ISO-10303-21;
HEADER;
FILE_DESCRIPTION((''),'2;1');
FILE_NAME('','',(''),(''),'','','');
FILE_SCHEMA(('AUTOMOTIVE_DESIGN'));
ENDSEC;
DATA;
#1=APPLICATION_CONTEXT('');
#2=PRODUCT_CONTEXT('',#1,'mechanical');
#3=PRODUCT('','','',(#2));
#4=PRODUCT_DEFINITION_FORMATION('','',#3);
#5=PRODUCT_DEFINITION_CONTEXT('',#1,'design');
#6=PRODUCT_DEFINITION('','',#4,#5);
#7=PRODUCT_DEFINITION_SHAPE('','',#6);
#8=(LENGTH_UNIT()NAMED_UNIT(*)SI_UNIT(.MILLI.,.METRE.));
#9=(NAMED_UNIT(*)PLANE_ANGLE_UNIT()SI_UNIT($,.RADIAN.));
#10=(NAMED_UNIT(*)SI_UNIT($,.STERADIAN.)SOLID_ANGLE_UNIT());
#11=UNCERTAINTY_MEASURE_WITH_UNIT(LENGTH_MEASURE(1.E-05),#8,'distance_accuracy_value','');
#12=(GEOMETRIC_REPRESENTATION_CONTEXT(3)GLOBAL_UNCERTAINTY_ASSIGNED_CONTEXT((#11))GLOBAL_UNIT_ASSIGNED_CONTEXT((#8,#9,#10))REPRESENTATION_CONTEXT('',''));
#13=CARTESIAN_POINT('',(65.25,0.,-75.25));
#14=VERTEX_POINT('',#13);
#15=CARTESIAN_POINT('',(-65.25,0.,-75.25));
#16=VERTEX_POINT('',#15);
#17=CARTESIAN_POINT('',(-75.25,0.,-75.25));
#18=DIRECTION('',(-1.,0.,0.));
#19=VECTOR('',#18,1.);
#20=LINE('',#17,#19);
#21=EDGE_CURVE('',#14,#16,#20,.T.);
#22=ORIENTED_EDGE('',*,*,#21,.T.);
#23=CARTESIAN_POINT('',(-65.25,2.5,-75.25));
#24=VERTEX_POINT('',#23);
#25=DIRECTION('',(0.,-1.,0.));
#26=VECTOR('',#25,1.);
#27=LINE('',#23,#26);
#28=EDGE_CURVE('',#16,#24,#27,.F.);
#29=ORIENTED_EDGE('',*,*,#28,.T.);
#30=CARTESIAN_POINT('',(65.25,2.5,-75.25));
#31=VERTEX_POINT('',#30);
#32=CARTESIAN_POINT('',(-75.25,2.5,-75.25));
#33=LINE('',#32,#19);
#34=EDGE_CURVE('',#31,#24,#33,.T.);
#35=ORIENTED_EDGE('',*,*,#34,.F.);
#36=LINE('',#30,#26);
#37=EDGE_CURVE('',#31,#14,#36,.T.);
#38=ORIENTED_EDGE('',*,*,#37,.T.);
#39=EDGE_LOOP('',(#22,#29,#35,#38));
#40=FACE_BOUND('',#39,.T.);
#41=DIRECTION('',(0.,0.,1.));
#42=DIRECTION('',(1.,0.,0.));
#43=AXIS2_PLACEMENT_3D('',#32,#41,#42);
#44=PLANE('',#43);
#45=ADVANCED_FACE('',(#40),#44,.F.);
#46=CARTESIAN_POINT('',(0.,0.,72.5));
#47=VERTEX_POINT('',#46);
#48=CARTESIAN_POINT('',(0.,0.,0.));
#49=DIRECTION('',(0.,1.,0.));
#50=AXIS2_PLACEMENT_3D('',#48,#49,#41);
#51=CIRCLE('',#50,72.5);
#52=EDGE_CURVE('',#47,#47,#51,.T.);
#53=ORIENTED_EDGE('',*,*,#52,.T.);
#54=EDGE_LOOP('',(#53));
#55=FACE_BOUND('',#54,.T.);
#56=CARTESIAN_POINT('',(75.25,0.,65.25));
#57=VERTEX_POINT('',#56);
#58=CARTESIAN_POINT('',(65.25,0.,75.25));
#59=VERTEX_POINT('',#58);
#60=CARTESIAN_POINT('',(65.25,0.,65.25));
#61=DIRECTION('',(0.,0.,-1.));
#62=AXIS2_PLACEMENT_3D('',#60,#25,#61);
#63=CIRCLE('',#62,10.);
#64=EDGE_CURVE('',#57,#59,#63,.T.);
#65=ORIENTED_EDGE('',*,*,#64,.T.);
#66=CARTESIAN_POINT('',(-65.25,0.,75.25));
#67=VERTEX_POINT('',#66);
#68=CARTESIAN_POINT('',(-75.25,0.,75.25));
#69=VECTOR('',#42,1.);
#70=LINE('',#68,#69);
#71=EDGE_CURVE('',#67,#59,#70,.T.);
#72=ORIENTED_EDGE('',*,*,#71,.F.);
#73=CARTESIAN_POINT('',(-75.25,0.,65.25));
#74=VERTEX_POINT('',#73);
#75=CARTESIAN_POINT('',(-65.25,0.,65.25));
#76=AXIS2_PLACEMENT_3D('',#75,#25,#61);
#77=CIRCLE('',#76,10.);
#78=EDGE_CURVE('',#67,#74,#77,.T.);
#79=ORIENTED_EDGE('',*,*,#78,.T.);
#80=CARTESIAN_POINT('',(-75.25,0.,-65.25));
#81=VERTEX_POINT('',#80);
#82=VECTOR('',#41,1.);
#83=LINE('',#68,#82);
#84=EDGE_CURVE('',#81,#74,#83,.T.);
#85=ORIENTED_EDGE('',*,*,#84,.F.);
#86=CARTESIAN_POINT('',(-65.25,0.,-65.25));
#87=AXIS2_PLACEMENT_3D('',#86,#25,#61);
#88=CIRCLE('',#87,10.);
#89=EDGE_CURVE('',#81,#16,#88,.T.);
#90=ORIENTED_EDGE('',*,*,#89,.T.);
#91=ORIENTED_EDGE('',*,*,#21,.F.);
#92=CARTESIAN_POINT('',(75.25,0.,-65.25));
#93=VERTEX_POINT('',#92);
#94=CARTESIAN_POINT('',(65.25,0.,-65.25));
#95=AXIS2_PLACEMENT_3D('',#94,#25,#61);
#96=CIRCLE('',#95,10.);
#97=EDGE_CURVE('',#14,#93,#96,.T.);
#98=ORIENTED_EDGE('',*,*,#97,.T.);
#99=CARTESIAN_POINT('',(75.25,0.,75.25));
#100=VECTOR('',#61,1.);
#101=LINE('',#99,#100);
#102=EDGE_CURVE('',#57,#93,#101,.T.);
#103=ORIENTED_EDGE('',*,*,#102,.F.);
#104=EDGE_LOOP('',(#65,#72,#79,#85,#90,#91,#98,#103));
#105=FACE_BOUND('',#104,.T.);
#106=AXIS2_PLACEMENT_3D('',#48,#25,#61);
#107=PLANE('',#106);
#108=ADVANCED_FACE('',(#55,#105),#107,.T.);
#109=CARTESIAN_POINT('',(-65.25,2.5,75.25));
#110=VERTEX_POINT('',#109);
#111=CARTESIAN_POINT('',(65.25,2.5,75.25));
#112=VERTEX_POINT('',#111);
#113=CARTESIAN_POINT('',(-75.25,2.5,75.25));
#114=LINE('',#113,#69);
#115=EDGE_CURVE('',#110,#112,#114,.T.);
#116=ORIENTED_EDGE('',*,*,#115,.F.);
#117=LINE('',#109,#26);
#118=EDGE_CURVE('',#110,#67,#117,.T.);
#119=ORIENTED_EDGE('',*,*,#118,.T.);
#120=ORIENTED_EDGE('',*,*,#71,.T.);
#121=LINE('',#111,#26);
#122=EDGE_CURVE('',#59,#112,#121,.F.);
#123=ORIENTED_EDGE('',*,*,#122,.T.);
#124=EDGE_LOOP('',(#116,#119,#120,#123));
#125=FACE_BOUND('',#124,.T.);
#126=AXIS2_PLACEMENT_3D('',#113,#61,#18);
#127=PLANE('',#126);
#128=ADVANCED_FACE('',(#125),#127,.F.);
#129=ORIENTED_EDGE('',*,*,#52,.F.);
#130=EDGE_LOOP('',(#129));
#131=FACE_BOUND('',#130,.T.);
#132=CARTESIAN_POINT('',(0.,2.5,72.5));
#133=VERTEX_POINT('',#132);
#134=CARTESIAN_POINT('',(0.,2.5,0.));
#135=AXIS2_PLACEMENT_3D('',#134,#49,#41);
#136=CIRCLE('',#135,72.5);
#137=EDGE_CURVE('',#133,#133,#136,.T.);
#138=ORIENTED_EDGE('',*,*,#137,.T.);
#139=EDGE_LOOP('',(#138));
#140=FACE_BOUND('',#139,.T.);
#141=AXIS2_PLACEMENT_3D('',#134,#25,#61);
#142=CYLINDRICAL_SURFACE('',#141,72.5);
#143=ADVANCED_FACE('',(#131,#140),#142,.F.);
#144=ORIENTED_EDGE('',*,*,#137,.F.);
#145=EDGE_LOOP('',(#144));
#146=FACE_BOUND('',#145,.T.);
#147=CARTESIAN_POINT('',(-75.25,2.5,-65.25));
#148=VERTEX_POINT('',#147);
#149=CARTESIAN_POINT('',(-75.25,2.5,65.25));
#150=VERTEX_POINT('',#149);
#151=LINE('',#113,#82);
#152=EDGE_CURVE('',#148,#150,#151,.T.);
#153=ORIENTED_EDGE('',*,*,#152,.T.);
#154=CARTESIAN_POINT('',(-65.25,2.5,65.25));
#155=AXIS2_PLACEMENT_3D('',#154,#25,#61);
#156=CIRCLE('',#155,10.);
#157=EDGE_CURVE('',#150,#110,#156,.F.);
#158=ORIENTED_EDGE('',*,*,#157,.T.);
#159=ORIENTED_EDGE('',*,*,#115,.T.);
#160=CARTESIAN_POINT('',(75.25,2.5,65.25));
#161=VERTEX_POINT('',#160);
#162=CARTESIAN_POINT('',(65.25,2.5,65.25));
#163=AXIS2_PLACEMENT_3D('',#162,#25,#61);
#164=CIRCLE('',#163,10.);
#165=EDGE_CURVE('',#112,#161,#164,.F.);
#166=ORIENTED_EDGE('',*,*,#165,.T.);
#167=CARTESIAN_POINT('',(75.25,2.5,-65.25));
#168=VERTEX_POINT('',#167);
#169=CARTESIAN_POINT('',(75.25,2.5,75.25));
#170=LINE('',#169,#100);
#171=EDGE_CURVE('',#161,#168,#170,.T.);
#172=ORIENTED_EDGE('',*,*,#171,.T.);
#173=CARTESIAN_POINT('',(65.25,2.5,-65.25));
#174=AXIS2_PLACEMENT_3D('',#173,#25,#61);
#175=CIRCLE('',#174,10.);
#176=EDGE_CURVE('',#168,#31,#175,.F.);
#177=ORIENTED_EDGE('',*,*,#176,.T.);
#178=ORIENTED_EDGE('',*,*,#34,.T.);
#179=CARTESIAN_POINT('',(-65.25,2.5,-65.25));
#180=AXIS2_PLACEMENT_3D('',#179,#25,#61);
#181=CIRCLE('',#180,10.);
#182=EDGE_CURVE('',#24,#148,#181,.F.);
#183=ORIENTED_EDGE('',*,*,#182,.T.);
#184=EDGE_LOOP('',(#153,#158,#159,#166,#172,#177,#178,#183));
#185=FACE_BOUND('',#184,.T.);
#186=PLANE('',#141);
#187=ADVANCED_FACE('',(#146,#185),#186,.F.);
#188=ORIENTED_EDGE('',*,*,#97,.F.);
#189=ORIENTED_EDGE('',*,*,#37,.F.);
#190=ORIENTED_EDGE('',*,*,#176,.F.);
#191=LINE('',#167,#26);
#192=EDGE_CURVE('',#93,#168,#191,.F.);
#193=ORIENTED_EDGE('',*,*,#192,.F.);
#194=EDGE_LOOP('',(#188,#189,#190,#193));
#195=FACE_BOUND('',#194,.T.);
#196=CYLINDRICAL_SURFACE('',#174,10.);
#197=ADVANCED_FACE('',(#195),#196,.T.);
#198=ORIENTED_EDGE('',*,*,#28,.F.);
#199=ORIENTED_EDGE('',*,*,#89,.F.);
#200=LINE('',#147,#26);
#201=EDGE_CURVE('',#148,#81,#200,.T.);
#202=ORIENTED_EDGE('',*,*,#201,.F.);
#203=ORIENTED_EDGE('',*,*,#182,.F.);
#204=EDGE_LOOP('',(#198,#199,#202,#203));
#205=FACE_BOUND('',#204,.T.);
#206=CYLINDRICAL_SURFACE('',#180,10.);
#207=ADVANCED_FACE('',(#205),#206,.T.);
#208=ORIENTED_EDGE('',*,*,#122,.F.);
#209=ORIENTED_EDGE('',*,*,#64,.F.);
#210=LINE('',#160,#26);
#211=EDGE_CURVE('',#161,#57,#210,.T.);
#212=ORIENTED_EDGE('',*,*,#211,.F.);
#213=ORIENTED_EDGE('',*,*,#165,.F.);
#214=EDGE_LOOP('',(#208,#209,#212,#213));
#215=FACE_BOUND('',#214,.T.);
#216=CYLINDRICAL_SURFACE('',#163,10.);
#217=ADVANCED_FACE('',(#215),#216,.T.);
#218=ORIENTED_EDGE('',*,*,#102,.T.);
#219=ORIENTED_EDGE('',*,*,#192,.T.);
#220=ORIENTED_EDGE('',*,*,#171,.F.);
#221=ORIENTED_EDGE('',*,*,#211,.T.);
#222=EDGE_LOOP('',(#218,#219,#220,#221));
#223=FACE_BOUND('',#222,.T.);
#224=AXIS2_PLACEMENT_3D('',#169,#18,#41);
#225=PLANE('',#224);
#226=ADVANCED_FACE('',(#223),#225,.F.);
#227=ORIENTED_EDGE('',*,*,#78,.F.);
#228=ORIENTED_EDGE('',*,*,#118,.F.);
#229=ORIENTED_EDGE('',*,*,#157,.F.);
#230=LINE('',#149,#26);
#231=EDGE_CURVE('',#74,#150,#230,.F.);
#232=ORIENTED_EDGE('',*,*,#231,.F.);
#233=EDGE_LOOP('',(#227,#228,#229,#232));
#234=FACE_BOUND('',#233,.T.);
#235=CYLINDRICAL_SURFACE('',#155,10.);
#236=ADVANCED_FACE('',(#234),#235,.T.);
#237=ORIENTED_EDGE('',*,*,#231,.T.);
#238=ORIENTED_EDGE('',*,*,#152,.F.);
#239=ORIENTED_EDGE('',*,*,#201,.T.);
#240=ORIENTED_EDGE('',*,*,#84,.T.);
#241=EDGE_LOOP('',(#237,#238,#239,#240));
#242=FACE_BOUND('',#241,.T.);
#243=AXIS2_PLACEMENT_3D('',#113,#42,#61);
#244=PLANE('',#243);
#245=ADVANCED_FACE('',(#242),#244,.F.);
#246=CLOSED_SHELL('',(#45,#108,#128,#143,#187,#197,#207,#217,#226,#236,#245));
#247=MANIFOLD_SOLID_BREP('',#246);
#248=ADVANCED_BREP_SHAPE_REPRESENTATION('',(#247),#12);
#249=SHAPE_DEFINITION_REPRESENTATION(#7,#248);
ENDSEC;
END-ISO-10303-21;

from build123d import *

# Parameters (mm, degrees)
SKETCH1_W           = 150.5
SKETCH1_H           = 150.5
SKETCH1_R           = 72.5
BOSS_EXTRUDE1_DEPTH = 2.5
FILLET1_R           = 10


with BuildPart() as part:
    # Sketch1 → Boss-Extrude1 (new body)
    with BuildSketch(Plane(origin=(0, 0, 0), x_dir=(1, 0, 0), z_dir=(0, 1, 0))):
        Rectangle(SKETCH1_W, SKETCH1_H)
        with Locations(Location((0, 0, 0), (0, 0, 270))):
            Circle(SKETCH1_R, mode=Mode.SUBTRACT)
    extrude(amount=BOSS_EXTRUDE1_DEPTH)

    # Fillet1
    fillet1_edges = [part.edges().sort_by_distance(p)[0] for p in [
        (75.25, 1.25, 75.25),
        (-75.25, 1.25, 75.25),
        (-75.25, 1.25, -75.25),
        (75.25, 1.25, -75.25),
    ]]
    fillet(fillet1_edges, radius=FILLET1_R)


solid = part.part
